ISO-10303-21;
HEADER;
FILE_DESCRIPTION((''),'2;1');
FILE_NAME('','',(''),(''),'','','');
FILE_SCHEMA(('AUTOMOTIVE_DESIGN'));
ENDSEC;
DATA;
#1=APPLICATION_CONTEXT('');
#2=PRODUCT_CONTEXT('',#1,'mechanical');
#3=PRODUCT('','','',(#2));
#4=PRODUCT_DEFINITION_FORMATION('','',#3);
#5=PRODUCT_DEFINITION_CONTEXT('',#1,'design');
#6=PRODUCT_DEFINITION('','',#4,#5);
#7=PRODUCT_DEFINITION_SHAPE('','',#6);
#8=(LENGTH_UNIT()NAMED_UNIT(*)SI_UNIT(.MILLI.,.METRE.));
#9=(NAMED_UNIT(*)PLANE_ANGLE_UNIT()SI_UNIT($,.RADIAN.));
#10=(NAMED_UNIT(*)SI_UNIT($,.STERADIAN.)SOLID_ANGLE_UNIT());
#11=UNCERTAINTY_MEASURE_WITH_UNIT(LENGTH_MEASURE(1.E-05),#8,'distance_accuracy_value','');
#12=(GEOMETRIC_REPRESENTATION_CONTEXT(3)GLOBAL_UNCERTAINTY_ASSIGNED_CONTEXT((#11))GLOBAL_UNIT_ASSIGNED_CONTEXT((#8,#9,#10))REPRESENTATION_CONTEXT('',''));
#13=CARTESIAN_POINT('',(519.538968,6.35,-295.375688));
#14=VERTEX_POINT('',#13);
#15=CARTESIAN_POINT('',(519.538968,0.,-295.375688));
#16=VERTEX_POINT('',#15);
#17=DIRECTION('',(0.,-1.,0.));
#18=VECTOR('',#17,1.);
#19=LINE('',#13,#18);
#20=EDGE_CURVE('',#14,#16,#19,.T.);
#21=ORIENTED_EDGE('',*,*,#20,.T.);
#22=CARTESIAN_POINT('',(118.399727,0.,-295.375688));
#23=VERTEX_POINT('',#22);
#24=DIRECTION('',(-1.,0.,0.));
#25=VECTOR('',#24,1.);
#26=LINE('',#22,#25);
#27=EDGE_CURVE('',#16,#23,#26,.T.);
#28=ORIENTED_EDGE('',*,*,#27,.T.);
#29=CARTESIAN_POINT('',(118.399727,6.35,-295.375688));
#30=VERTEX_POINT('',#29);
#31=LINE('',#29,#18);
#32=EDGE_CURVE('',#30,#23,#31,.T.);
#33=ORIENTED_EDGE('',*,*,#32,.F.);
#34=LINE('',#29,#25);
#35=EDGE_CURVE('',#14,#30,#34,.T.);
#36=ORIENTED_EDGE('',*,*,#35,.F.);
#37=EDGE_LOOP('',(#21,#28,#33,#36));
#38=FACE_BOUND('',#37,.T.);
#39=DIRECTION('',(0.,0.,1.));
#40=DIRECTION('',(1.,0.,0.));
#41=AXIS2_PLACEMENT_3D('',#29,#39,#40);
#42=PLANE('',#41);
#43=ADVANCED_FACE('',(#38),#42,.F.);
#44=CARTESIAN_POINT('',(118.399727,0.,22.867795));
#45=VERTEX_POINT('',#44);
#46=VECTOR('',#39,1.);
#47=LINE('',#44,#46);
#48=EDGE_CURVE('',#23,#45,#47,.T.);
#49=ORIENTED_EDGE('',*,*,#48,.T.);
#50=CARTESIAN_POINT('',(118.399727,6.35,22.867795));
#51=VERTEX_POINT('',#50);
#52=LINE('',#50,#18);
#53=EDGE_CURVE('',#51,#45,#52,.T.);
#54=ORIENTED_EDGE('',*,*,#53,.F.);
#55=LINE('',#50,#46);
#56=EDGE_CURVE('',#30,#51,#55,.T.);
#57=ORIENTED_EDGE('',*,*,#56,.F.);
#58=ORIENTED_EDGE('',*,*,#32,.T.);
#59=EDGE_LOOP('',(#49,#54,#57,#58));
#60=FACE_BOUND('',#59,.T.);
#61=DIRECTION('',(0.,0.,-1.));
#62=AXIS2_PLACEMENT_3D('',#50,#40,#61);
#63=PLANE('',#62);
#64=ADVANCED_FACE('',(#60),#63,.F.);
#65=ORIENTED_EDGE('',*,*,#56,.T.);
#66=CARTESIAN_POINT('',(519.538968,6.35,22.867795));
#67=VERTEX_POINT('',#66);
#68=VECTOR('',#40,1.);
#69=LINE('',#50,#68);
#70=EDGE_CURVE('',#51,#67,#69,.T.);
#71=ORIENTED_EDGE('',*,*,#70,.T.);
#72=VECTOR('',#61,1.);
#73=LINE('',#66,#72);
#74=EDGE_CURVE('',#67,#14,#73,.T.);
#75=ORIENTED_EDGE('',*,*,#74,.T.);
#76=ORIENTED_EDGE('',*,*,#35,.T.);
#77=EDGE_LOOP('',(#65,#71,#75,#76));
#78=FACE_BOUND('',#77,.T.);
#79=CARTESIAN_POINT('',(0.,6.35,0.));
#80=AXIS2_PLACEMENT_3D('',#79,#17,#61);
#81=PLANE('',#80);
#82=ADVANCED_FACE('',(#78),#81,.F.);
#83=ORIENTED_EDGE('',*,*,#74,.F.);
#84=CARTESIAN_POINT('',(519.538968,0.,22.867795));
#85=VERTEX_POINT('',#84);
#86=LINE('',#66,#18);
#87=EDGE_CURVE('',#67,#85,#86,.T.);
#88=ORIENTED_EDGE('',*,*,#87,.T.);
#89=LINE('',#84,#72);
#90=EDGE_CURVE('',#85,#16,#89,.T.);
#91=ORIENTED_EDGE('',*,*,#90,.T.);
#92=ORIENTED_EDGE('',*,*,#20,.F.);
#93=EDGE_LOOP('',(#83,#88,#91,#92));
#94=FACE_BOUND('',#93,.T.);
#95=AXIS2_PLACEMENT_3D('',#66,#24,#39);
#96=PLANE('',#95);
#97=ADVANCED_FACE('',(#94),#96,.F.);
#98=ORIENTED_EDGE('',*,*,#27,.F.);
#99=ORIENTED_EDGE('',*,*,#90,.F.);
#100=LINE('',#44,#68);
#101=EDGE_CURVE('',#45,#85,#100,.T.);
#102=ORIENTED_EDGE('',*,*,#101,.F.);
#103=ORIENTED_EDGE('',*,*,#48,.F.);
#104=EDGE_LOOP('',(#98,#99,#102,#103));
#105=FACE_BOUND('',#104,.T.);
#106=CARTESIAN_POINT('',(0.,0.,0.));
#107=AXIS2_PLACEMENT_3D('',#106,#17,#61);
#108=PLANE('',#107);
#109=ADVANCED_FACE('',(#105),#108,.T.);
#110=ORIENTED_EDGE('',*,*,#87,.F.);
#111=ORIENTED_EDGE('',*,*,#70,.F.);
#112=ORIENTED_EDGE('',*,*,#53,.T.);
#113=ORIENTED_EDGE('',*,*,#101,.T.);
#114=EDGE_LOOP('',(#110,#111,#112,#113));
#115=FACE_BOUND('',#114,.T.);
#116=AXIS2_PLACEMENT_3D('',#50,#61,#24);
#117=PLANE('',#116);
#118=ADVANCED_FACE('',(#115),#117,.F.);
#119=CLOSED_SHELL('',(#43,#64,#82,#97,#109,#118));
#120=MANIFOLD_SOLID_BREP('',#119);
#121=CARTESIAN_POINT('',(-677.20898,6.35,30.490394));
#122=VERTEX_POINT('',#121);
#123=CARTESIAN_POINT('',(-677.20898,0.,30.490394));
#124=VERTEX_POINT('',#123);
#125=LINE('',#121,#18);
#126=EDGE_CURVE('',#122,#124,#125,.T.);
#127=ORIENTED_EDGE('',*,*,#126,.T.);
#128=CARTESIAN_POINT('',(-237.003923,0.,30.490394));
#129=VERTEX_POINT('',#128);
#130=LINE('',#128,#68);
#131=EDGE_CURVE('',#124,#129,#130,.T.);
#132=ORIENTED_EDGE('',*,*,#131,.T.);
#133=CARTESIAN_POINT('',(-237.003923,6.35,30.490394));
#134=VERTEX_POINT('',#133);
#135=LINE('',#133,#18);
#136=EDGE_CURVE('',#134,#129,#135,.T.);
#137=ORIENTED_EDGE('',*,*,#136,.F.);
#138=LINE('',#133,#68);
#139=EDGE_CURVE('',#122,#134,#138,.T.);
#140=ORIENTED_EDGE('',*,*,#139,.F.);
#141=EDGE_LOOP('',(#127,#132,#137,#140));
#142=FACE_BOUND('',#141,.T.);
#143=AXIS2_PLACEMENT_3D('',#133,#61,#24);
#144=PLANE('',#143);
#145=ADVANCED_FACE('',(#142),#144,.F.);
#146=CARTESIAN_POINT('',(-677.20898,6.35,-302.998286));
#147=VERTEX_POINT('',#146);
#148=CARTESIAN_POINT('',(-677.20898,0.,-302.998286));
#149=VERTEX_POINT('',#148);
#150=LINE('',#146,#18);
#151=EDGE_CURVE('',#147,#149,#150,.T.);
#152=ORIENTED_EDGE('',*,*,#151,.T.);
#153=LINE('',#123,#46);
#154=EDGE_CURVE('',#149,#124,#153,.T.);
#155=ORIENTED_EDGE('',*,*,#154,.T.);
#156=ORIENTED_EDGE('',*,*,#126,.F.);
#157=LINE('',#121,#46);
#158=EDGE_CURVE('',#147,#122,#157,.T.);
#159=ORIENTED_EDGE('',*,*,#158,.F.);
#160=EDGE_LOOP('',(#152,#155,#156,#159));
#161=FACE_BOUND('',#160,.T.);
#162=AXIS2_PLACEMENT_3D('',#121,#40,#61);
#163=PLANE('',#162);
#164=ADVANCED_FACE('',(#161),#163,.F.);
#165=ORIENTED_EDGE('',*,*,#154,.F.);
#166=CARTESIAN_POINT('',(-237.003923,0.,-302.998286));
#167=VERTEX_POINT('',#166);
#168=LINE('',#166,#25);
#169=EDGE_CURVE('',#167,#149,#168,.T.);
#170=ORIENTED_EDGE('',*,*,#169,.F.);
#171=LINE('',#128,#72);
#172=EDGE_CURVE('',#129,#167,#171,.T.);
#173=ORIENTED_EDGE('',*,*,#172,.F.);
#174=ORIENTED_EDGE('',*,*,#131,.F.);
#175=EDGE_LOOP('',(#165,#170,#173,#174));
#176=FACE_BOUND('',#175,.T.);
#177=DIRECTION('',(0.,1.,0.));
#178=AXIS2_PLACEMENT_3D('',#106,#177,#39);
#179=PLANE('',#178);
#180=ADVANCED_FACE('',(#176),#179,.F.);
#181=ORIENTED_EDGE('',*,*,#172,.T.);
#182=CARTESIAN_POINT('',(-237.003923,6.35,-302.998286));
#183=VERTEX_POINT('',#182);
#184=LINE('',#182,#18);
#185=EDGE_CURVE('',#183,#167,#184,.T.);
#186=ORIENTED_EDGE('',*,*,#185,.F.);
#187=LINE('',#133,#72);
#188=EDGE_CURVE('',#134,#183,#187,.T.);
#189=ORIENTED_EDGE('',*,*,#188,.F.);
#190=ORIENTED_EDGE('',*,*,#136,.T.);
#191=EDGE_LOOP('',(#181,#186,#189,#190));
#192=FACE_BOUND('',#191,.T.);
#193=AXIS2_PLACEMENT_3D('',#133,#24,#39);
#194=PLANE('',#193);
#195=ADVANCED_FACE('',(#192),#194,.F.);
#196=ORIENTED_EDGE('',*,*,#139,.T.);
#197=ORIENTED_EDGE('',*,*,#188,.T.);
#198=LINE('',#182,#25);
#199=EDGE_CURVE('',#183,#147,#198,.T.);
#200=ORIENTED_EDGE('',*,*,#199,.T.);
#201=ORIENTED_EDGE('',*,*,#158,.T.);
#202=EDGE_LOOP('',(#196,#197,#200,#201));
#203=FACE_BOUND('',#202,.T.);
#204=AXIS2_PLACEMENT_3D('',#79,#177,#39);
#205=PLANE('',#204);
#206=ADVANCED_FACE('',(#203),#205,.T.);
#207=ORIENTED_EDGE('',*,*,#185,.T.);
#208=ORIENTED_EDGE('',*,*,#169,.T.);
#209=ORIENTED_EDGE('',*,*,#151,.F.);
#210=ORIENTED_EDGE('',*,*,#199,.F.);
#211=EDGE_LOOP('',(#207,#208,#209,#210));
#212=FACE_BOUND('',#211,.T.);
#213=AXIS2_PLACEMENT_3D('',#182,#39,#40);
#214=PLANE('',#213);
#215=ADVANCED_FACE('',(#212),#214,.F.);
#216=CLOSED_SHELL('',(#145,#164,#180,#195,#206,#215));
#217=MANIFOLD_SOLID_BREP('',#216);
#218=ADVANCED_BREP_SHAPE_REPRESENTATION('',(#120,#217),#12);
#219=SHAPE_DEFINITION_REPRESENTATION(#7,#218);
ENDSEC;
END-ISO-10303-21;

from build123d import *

# Parameters (mm, degrees)
SKETCH1_W             = 401.139240224
SKETCH1_H             = 318.243482743
BOSS_EXTRUDE1_DEPTH   = 6.35
SKETCH1_W_2           = 440.205056968
SKETCH1_H_2           = 333.488679521
BOSS_EXTRUDE1_2_DEPTH = 6.35


with BuildPart() as part:
    # Sketch1 → Boss-Extrude1 (new body)
    with BuildSketch(Plane(origin=(0, 0, 0), x_dir=(1, 0, 0), z_dir=(0, 1, 0))):
        with Locations((318.96934742, 136.253946205)):
            Rectangle(SKETCH1_W, SKETCH1_H)
    extrude(amount=BOSS_EXTRUDE1_DEPTH)


with BuildPart() as body_2:
    # Sketch1 → Boss-Extrude1 2 (new body)
    with BuildSketch(Plane(origin=(0, 0, 0), x_dir=(1, 0, 0), z_dir=(0, 1, 0))):
        with Locations((-457.106451065, 136.253946205)):
            Rectangle(SKETCH1_W_2, SKETCH1_H_2)
    extrude(amount=BOSS_EXTRUDE1_2_DEPTH)


solid = Compound([part.part, body_2.part])
